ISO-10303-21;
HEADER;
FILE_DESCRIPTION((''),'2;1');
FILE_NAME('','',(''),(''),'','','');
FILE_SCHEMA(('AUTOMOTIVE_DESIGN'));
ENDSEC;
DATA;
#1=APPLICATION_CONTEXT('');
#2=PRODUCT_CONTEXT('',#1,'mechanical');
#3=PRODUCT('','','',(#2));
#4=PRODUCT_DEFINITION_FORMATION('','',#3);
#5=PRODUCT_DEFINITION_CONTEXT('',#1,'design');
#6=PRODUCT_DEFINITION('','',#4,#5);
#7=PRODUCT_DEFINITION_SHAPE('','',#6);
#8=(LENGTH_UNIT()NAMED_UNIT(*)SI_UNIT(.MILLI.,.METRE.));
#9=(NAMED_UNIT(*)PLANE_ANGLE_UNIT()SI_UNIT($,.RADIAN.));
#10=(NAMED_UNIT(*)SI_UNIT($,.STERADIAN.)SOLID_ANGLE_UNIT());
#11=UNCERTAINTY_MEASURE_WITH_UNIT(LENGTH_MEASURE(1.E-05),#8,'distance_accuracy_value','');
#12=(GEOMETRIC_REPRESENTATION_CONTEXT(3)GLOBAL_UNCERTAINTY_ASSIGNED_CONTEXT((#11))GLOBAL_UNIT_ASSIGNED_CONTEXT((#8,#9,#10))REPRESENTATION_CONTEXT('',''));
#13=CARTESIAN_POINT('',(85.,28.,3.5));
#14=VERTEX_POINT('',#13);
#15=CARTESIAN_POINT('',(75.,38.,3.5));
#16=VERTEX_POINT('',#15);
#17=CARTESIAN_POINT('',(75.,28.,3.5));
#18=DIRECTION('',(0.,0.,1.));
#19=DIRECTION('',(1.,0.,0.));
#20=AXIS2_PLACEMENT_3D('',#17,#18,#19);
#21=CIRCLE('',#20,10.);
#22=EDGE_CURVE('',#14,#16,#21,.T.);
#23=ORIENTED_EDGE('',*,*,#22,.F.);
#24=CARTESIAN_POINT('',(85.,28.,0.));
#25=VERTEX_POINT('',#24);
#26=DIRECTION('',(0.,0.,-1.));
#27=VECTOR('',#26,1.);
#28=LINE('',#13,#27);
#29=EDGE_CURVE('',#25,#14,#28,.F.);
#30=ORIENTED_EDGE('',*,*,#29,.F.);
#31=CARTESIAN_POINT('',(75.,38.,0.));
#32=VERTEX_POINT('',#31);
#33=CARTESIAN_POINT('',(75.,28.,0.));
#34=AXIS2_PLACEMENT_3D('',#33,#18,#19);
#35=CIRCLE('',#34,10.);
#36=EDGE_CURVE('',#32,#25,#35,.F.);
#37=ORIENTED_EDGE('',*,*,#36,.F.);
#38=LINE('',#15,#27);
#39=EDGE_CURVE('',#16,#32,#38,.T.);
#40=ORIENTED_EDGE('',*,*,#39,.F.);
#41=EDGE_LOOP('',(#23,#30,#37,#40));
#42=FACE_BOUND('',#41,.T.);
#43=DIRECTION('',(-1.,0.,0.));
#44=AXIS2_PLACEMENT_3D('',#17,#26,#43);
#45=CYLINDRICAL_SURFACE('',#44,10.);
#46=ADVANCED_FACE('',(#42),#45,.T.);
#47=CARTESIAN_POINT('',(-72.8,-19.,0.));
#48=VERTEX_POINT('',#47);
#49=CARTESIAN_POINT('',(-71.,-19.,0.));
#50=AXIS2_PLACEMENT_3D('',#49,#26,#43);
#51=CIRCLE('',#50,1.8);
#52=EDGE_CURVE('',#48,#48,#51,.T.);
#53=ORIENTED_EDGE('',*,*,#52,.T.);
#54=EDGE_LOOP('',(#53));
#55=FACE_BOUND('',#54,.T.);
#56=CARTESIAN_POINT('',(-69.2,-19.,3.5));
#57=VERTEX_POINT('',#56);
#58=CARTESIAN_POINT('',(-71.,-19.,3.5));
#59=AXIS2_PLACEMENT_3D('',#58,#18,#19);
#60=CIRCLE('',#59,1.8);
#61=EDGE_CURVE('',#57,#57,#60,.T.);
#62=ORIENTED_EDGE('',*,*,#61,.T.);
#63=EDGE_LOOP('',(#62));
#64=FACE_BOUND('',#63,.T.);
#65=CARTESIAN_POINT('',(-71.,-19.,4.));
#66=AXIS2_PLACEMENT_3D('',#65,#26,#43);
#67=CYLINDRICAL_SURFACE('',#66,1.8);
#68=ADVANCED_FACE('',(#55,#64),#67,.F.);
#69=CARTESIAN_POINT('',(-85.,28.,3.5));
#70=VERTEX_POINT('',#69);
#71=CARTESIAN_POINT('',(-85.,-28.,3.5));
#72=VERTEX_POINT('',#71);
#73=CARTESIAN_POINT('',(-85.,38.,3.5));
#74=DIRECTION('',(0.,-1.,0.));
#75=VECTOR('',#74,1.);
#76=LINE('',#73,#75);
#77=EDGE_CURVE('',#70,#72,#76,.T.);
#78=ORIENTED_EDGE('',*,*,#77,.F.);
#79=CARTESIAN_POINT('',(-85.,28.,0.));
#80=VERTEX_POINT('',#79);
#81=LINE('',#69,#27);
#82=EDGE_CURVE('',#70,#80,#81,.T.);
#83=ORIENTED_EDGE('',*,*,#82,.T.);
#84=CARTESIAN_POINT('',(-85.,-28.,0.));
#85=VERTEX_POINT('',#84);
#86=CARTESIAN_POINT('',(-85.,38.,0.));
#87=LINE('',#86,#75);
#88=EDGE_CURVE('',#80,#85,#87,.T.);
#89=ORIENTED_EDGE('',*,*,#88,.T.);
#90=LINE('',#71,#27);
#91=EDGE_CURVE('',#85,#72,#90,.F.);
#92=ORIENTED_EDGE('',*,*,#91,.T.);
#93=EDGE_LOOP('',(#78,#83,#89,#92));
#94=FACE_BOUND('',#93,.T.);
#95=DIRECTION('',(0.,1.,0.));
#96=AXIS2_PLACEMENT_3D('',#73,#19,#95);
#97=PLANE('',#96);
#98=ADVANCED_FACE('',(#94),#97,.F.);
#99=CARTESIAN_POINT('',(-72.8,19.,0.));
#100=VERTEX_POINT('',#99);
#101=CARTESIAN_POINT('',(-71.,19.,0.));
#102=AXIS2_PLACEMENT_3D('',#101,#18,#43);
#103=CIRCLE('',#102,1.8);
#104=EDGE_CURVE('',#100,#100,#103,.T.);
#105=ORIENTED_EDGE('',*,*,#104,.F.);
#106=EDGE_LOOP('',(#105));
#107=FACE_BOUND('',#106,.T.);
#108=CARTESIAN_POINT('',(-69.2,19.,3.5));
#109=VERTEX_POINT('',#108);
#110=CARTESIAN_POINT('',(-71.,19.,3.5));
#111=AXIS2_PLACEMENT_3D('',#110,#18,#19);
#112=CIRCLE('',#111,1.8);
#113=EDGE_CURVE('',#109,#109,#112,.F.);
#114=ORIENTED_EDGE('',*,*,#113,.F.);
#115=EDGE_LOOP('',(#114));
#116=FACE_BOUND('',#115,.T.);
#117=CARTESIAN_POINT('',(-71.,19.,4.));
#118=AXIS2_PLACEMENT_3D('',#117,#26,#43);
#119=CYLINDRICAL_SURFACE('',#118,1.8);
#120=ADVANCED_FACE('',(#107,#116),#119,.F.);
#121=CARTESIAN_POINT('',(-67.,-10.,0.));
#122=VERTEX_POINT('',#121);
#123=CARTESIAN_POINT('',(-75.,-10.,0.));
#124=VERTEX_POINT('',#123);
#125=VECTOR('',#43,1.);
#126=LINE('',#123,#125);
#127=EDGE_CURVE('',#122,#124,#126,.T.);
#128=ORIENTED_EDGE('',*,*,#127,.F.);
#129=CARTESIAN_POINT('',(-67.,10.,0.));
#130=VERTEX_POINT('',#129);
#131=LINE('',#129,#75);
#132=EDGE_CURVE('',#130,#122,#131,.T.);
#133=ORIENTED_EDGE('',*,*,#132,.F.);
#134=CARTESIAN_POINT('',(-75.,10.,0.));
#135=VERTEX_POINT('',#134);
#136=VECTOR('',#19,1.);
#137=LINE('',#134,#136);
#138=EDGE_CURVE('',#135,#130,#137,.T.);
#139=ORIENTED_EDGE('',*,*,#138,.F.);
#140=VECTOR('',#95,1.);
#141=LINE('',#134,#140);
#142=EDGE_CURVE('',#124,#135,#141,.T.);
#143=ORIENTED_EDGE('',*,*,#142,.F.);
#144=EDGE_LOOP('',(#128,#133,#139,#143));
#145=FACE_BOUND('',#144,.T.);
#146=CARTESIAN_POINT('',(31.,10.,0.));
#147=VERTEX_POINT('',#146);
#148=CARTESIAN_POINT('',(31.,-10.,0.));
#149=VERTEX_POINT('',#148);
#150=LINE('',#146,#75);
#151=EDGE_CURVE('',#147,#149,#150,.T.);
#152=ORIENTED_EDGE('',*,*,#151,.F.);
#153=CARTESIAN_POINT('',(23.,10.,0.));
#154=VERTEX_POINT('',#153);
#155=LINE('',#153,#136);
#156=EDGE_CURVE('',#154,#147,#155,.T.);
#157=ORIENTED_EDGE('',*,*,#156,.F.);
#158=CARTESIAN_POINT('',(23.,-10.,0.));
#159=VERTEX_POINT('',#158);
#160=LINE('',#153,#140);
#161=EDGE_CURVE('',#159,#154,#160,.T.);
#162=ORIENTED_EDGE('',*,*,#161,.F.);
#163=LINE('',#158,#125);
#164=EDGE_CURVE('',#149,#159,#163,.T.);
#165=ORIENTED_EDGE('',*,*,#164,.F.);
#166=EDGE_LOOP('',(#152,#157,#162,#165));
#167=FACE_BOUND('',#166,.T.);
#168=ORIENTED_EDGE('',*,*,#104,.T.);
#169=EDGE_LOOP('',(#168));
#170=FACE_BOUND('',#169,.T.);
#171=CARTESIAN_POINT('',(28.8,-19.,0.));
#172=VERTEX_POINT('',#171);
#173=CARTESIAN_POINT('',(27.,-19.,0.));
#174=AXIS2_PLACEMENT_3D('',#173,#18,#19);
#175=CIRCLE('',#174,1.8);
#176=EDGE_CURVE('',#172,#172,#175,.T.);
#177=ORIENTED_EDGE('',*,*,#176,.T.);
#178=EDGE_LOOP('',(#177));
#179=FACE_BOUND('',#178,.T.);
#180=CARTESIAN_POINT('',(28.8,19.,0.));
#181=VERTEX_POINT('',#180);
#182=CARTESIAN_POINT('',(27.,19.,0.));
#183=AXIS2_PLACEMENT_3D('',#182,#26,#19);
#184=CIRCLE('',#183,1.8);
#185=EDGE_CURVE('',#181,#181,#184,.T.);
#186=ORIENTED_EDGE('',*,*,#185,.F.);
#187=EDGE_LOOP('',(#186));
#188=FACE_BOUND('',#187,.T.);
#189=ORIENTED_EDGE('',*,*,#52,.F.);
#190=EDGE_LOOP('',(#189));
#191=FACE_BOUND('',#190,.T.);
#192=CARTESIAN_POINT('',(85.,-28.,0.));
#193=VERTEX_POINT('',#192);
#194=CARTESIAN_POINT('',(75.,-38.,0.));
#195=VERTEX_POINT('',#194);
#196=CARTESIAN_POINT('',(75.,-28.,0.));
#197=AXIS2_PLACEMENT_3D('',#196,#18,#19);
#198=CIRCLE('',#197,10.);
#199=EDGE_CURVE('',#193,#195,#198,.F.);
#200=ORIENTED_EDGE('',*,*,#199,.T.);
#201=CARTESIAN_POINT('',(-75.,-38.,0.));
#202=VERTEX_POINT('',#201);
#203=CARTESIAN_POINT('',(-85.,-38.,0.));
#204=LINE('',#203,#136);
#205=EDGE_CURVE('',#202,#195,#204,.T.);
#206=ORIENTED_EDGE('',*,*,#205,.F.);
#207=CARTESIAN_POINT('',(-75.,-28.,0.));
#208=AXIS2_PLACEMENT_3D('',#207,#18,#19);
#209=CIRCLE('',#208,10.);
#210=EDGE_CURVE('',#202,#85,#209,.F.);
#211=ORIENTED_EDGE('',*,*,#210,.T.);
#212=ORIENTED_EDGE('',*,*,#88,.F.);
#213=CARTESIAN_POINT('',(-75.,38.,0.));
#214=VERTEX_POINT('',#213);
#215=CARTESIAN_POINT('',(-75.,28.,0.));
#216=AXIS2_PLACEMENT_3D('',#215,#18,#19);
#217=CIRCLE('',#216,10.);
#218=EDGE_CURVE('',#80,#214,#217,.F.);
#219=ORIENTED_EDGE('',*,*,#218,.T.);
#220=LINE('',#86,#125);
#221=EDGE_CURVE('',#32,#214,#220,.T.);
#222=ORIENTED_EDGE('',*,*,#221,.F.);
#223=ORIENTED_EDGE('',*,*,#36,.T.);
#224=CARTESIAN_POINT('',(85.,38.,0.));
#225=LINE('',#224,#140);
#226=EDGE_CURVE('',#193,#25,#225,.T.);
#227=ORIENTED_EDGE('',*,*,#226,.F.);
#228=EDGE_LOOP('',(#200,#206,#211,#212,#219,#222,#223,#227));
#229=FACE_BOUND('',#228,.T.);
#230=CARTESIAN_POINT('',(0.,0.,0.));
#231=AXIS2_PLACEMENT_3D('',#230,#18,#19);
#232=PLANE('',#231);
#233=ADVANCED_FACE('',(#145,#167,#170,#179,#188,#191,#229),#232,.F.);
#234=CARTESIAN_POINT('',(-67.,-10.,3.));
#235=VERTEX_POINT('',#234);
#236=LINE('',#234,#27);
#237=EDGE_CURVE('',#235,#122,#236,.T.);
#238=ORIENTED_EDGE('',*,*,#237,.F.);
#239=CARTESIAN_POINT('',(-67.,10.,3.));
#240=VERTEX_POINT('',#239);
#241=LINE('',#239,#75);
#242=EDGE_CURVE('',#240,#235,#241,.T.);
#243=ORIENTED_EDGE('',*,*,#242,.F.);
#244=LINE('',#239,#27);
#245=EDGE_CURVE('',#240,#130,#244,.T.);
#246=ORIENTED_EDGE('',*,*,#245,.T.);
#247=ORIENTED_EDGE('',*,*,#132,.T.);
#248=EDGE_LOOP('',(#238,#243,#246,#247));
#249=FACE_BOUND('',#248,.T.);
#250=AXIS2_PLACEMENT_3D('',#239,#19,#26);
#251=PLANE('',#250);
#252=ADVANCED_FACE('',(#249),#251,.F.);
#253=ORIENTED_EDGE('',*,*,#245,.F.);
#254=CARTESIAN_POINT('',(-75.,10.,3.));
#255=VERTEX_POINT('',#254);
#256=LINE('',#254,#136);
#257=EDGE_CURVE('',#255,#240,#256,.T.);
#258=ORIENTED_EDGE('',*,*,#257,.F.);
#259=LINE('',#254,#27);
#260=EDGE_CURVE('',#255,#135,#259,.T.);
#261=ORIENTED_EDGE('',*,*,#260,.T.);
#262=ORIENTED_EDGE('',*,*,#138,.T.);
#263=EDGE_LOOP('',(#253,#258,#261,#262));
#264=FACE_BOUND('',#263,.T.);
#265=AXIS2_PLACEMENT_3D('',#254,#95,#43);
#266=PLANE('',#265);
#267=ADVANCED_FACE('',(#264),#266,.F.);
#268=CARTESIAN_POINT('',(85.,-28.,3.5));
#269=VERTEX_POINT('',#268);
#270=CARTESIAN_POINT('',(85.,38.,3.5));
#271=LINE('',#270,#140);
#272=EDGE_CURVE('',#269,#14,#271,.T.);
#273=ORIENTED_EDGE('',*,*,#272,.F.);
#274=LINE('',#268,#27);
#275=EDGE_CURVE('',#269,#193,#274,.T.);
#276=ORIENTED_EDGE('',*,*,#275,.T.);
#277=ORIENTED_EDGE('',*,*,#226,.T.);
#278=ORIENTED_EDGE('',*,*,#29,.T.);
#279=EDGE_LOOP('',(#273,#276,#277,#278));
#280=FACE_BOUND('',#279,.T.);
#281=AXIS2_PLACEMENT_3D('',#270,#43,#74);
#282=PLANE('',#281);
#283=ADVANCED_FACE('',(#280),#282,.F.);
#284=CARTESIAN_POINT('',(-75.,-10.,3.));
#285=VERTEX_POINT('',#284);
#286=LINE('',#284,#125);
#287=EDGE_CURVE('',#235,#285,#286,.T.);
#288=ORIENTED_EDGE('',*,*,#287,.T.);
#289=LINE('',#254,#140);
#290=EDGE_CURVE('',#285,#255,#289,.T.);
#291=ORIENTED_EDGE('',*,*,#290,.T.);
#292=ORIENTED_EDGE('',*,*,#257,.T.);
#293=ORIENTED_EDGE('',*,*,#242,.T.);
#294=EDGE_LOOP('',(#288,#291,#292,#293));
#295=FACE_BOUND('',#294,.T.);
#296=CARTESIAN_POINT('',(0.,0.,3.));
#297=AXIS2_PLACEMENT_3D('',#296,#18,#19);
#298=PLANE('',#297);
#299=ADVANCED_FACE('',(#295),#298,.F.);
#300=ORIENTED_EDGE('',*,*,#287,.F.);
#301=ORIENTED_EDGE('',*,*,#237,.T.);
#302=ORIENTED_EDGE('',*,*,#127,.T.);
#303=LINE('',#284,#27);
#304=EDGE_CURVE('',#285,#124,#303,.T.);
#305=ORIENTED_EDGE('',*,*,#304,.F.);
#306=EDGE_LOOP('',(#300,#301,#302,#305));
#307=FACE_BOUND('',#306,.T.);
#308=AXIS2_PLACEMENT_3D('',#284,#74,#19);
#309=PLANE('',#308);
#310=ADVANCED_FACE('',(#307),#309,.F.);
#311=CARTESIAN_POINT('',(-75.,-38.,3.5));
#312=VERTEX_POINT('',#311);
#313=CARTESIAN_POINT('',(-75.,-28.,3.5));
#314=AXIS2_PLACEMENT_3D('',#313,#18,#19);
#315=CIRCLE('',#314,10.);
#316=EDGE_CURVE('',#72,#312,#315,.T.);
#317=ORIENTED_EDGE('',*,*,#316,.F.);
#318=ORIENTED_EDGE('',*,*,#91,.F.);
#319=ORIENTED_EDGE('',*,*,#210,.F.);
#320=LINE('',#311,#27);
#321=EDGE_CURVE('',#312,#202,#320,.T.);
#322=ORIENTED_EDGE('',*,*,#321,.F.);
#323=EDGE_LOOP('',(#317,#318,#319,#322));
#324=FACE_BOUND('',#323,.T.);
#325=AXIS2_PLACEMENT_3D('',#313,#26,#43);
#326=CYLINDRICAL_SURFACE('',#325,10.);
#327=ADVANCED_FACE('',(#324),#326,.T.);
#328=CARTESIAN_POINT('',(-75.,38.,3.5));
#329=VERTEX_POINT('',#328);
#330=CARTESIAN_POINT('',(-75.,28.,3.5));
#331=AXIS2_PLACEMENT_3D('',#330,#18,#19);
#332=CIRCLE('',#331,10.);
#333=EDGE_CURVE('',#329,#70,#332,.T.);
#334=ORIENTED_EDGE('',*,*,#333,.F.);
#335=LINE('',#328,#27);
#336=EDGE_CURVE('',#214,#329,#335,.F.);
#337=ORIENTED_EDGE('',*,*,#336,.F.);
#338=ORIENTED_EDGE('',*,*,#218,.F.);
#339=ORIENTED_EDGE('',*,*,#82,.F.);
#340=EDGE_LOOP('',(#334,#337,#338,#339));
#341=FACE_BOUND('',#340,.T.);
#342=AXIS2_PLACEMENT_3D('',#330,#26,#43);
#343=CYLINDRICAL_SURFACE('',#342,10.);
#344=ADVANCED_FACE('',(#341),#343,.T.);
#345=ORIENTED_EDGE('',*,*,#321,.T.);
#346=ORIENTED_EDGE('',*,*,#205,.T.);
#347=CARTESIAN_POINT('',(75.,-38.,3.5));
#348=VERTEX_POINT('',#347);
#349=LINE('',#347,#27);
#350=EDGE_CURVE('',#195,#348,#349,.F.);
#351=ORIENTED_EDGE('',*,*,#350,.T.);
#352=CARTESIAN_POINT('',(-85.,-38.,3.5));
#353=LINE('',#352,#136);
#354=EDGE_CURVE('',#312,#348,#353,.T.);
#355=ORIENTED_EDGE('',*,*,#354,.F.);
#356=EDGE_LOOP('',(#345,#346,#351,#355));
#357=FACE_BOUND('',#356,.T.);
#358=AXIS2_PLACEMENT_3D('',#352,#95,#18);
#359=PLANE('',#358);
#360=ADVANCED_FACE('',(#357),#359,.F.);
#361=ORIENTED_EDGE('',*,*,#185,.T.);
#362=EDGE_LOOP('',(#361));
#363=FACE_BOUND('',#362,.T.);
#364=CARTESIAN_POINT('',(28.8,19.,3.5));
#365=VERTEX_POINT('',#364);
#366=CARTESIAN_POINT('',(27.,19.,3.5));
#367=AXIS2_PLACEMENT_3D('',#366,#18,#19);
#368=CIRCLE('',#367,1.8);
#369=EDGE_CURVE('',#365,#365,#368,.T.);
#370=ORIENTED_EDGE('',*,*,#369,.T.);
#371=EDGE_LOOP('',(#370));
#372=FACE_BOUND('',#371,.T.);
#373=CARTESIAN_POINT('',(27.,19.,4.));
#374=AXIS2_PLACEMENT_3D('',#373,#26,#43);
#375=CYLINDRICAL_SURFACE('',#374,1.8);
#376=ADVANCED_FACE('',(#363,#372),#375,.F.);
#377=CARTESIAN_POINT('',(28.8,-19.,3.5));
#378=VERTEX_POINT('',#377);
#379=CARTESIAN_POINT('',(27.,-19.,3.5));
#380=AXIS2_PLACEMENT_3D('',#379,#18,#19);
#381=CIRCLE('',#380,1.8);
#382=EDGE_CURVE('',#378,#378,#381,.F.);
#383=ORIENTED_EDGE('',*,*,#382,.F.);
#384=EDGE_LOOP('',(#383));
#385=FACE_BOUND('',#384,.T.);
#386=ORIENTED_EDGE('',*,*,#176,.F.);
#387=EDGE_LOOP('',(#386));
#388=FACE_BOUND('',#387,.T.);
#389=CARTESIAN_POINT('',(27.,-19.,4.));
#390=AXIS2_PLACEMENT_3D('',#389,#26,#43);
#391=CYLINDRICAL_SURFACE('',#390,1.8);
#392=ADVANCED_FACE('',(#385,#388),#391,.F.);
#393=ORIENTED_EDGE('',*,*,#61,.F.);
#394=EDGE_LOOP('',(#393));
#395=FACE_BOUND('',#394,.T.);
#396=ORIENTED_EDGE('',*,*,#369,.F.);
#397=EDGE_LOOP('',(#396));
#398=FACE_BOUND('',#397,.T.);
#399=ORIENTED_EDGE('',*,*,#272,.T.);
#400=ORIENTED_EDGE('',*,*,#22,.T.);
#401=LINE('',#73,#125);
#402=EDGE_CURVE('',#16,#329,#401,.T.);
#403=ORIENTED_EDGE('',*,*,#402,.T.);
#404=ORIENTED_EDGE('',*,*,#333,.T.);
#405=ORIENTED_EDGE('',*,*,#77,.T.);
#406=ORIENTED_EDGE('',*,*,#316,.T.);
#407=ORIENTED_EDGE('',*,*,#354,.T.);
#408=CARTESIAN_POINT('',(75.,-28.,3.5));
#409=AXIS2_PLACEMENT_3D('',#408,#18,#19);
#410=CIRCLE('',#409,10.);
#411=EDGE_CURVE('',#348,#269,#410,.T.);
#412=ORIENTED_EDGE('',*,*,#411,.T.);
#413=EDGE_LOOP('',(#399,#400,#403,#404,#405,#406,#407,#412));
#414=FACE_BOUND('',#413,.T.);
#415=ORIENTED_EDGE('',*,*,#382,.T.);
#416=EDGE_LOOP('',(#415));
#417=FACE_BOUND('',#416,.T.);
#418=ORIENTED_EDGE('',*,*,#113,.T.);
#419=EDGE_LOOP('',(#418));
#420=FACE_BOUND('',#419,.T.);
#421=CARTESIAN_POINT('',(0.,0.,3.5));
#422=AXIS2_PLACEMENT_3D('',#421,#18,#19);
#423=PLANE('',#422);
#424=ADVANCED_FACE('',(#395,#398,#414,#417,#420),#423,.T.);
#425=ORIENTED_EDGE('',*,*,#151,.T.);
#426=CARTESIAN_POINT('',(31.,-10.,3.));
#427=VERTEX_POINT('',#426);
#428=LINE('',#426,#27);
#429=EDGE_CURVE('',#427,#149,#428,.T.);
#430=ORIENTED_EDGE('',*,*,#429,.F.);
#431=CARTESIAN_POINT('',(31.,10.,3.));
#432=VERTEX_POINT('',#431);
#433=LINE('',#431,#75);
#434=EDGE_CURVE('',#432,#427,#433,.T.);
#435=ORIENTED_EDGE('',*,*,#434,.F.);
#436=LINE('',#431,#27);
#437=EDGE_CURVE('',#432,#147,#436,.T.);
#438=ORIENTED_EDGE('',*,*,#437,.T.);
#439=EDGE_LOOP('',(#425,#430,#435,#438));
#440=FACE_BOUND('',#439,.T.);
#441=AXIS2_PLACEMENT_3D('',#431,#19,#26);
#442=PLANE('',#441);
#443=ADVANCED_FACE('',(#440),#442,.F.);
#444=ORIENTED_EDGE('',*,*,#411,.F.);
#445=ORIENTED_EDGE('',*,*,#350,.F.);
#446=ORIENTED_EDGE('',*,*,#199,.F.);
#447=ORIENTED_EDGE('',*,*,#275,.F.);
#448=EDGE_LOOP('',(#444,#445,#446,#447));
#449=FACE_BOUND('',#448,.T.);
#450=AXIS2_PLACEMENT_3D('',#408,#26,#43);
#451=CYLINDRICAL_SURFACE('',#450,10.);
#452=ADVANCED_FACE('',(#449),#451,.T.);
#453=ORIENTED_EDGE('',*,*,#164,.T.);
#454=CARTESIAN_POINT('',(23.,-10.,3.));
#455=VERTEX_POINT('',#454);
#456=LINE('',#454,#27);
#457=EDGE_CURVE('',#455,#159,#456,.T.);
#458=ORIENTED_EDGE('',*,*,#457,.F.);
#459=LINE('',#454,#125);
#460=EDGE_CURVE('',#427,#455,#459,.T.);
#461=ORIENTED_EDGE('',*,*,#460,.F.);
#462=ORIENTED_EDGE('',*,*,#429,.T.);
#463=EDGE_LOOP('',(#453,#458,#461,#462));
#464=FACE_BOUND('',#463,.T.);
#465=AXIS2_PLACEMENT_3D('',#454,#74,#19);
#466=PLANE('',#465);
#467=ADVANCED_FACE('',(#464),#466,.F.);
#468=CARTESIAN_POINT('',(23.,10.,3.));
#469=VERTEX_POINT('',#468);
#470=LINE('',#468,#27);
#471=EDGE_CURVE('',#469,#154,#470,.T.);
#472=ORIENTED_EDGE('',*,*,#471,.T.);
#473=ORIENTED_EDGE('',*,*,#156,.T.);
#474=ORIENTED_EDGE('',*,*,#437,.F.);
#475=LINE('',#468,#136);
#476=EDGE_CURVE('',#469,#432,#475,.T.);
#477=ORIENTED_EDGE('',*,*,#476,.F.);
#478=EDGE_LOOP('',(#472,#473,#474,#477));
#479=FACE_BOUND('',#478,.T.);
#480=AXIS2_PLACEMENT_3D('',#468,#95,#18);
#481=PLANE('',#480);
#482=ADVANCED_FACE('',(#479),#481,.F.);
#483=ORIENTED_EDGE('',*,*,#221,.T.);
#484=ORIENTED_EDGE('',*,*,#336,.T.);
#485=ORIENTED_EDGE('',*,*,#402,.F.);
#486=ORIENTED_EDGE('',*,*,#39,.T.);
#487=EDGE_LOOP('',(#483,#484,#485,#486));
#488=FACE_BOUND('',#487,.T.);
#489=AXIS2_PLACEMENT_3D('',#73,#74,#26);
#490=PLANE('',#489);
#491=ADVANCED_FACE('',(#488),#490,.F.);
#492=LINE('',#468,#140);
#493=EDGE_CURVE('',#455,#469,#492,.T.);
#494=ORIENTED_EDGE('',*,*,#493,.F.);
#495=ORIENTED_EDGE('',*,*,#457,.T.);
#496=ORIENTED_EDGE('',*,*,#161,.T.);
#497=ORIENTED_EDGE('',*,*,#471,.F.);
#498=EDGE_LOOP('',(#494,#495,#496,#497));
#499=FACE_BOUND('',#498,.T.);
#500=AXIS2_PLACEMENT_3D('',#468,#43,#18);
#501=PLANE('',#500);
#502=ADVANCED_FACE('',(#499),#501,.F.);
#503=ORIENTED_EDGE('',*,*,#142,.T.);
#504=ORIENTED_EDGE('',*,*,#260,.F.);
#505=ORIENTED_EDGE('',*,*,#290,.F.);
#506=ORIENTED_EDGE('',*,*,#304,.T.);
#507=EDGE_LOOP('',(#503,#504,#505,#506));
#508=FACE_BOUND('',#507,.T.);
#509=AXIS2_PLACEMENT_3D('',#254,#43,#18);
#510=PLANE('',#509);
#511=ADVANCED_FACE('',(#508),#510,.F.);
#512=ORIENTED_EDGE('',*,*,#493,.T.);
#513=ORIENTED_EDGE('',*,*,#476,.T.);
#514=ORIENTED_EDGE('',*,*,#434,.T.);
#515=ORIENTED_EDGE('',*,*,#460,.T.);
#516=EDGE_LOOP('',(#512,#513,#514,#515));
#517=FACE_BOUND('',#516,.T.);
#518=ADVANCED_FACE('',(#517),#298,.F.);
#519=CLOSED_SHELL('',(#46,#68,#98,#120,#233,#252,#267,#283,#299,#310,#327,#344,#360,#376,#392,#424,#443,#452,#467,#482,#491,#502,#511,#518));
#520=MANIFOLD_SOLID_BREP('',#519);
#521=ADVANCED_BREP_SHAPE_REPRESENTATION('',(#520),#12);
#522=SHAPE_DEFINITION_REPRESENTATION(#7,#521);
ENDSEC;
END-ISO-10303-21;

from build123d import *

# Parameters (mm, degrees)
SKETCH_1_W               = 170
SKETCH_1_H               = 76
EXTRUDE_1_DEPTH          = 3.5
FILLET_1_R               = 10
SKETCH_2_W               = 8
SKETCH_2_H               = 20
CUT_EXTRUDE_1_DEPTH      = 3
SKETCH_3_W               = 8
SKETCH_3_H               = 20
CUT_EXTRUDE_2_DEPTH      = 3
SKETCH_6_R               = 1.8
CUT_EXTRUDE_4_DEPTH      = 4
MIRROR_2_COPY_1_SKETCH_R = 1.8
MIRROR_2_COPY_1_DEPTH    = 4


with BuildPart() as part:
    # 草图1 → 凸台-拉伸1 (new body)
    with BuildSketch(Plane.XY):
        Rectangle(SKETCH_1_W, SKETCH_1_H)
    extrude(amount=EXTRUDE_1_DEPTH)

    # 圆角1
    fillet_1_edges = [part.edges().sort_by_distance(p)[0] for p in [
        (85, -38, 1.75),
        (-85, -38, 1.75),
        (-85, 38, 1.75),
        (85, 38, 1.75),
    ]]
    fillet(fillet_1_edges, radius=FILLET_1_R)

    # 草图2 → 切除-拉伸1 (cut)
    with BuildSketch(Plane(origin=(0, 0, 0), x_dir=(-1, 0, 0), z_dir=(0, 0, -1))):
        with Locations((-27, 0)):
            Rectangle(SKETCH_2_W, SKETCH_2_H)
    extrude(amount=-CUT_EXTRUDE_1_DEPTH, mode=Mode.SUBTRACT)

    # 草图3 → 切除-拉伸2 (cut)
    with BuildSketch(Plane(origin=(0, 0, 0), x_dir=(-1, 0, 0), z_dir=(0, 0, -1))):
        with Locations((71, 0)):
            Rectangle(SKETCH_3_W, SKETCH_3_H)
    extrude(amount=-CUT_EXTRUDE_2_DEPTH, mode=Mode.SUBTRACT)

    # 草图6 → 切除-拉伸4 (cut)
    with BuildSketch(Plane(origin=(0, 0, 0), x_dir=(-1, 0, 0), z_dir=(0, 0, -1))):
        with Locations((71, -19)):
            Circle(SKETCH_6_R)
    cut_extrude_4 = extrude(amount=-CUT_EXTRUDE_4_DEPTH, mode=Mode.SUBTRACT)

    # 镜向1: 切除-拉伸4 across plane
    add(cut_extrude_4.mirror(Plane.ZX), mode=Mode.SUBTRACT)

    # 镜向2: 切除-拉伸4 across plane
    add(cut_extrude_4.mirror(Plane(origin=(-22, 0, 0), x_dir=(0, 0, 1), z_dir=(1, 0, 0))), mode=Mode.SUBTRACT)

    # 镜向2 copy 1 sketch → 镜向2 copy 1 (cut)
    with BuildSketch(Plane(origin=(-44, 0, 0), x_dir=(1, 0, 0), z_dir=(0, 0, -1))):
        with Locations((71, -19)):
            Circle(MIRROR_2_COPY_1_SKETCH_R)
    extrude(amount=-MIRROR_2_COPY_1_DEPTH, mode=Mode.SUBTRACT)


solid = part.part
